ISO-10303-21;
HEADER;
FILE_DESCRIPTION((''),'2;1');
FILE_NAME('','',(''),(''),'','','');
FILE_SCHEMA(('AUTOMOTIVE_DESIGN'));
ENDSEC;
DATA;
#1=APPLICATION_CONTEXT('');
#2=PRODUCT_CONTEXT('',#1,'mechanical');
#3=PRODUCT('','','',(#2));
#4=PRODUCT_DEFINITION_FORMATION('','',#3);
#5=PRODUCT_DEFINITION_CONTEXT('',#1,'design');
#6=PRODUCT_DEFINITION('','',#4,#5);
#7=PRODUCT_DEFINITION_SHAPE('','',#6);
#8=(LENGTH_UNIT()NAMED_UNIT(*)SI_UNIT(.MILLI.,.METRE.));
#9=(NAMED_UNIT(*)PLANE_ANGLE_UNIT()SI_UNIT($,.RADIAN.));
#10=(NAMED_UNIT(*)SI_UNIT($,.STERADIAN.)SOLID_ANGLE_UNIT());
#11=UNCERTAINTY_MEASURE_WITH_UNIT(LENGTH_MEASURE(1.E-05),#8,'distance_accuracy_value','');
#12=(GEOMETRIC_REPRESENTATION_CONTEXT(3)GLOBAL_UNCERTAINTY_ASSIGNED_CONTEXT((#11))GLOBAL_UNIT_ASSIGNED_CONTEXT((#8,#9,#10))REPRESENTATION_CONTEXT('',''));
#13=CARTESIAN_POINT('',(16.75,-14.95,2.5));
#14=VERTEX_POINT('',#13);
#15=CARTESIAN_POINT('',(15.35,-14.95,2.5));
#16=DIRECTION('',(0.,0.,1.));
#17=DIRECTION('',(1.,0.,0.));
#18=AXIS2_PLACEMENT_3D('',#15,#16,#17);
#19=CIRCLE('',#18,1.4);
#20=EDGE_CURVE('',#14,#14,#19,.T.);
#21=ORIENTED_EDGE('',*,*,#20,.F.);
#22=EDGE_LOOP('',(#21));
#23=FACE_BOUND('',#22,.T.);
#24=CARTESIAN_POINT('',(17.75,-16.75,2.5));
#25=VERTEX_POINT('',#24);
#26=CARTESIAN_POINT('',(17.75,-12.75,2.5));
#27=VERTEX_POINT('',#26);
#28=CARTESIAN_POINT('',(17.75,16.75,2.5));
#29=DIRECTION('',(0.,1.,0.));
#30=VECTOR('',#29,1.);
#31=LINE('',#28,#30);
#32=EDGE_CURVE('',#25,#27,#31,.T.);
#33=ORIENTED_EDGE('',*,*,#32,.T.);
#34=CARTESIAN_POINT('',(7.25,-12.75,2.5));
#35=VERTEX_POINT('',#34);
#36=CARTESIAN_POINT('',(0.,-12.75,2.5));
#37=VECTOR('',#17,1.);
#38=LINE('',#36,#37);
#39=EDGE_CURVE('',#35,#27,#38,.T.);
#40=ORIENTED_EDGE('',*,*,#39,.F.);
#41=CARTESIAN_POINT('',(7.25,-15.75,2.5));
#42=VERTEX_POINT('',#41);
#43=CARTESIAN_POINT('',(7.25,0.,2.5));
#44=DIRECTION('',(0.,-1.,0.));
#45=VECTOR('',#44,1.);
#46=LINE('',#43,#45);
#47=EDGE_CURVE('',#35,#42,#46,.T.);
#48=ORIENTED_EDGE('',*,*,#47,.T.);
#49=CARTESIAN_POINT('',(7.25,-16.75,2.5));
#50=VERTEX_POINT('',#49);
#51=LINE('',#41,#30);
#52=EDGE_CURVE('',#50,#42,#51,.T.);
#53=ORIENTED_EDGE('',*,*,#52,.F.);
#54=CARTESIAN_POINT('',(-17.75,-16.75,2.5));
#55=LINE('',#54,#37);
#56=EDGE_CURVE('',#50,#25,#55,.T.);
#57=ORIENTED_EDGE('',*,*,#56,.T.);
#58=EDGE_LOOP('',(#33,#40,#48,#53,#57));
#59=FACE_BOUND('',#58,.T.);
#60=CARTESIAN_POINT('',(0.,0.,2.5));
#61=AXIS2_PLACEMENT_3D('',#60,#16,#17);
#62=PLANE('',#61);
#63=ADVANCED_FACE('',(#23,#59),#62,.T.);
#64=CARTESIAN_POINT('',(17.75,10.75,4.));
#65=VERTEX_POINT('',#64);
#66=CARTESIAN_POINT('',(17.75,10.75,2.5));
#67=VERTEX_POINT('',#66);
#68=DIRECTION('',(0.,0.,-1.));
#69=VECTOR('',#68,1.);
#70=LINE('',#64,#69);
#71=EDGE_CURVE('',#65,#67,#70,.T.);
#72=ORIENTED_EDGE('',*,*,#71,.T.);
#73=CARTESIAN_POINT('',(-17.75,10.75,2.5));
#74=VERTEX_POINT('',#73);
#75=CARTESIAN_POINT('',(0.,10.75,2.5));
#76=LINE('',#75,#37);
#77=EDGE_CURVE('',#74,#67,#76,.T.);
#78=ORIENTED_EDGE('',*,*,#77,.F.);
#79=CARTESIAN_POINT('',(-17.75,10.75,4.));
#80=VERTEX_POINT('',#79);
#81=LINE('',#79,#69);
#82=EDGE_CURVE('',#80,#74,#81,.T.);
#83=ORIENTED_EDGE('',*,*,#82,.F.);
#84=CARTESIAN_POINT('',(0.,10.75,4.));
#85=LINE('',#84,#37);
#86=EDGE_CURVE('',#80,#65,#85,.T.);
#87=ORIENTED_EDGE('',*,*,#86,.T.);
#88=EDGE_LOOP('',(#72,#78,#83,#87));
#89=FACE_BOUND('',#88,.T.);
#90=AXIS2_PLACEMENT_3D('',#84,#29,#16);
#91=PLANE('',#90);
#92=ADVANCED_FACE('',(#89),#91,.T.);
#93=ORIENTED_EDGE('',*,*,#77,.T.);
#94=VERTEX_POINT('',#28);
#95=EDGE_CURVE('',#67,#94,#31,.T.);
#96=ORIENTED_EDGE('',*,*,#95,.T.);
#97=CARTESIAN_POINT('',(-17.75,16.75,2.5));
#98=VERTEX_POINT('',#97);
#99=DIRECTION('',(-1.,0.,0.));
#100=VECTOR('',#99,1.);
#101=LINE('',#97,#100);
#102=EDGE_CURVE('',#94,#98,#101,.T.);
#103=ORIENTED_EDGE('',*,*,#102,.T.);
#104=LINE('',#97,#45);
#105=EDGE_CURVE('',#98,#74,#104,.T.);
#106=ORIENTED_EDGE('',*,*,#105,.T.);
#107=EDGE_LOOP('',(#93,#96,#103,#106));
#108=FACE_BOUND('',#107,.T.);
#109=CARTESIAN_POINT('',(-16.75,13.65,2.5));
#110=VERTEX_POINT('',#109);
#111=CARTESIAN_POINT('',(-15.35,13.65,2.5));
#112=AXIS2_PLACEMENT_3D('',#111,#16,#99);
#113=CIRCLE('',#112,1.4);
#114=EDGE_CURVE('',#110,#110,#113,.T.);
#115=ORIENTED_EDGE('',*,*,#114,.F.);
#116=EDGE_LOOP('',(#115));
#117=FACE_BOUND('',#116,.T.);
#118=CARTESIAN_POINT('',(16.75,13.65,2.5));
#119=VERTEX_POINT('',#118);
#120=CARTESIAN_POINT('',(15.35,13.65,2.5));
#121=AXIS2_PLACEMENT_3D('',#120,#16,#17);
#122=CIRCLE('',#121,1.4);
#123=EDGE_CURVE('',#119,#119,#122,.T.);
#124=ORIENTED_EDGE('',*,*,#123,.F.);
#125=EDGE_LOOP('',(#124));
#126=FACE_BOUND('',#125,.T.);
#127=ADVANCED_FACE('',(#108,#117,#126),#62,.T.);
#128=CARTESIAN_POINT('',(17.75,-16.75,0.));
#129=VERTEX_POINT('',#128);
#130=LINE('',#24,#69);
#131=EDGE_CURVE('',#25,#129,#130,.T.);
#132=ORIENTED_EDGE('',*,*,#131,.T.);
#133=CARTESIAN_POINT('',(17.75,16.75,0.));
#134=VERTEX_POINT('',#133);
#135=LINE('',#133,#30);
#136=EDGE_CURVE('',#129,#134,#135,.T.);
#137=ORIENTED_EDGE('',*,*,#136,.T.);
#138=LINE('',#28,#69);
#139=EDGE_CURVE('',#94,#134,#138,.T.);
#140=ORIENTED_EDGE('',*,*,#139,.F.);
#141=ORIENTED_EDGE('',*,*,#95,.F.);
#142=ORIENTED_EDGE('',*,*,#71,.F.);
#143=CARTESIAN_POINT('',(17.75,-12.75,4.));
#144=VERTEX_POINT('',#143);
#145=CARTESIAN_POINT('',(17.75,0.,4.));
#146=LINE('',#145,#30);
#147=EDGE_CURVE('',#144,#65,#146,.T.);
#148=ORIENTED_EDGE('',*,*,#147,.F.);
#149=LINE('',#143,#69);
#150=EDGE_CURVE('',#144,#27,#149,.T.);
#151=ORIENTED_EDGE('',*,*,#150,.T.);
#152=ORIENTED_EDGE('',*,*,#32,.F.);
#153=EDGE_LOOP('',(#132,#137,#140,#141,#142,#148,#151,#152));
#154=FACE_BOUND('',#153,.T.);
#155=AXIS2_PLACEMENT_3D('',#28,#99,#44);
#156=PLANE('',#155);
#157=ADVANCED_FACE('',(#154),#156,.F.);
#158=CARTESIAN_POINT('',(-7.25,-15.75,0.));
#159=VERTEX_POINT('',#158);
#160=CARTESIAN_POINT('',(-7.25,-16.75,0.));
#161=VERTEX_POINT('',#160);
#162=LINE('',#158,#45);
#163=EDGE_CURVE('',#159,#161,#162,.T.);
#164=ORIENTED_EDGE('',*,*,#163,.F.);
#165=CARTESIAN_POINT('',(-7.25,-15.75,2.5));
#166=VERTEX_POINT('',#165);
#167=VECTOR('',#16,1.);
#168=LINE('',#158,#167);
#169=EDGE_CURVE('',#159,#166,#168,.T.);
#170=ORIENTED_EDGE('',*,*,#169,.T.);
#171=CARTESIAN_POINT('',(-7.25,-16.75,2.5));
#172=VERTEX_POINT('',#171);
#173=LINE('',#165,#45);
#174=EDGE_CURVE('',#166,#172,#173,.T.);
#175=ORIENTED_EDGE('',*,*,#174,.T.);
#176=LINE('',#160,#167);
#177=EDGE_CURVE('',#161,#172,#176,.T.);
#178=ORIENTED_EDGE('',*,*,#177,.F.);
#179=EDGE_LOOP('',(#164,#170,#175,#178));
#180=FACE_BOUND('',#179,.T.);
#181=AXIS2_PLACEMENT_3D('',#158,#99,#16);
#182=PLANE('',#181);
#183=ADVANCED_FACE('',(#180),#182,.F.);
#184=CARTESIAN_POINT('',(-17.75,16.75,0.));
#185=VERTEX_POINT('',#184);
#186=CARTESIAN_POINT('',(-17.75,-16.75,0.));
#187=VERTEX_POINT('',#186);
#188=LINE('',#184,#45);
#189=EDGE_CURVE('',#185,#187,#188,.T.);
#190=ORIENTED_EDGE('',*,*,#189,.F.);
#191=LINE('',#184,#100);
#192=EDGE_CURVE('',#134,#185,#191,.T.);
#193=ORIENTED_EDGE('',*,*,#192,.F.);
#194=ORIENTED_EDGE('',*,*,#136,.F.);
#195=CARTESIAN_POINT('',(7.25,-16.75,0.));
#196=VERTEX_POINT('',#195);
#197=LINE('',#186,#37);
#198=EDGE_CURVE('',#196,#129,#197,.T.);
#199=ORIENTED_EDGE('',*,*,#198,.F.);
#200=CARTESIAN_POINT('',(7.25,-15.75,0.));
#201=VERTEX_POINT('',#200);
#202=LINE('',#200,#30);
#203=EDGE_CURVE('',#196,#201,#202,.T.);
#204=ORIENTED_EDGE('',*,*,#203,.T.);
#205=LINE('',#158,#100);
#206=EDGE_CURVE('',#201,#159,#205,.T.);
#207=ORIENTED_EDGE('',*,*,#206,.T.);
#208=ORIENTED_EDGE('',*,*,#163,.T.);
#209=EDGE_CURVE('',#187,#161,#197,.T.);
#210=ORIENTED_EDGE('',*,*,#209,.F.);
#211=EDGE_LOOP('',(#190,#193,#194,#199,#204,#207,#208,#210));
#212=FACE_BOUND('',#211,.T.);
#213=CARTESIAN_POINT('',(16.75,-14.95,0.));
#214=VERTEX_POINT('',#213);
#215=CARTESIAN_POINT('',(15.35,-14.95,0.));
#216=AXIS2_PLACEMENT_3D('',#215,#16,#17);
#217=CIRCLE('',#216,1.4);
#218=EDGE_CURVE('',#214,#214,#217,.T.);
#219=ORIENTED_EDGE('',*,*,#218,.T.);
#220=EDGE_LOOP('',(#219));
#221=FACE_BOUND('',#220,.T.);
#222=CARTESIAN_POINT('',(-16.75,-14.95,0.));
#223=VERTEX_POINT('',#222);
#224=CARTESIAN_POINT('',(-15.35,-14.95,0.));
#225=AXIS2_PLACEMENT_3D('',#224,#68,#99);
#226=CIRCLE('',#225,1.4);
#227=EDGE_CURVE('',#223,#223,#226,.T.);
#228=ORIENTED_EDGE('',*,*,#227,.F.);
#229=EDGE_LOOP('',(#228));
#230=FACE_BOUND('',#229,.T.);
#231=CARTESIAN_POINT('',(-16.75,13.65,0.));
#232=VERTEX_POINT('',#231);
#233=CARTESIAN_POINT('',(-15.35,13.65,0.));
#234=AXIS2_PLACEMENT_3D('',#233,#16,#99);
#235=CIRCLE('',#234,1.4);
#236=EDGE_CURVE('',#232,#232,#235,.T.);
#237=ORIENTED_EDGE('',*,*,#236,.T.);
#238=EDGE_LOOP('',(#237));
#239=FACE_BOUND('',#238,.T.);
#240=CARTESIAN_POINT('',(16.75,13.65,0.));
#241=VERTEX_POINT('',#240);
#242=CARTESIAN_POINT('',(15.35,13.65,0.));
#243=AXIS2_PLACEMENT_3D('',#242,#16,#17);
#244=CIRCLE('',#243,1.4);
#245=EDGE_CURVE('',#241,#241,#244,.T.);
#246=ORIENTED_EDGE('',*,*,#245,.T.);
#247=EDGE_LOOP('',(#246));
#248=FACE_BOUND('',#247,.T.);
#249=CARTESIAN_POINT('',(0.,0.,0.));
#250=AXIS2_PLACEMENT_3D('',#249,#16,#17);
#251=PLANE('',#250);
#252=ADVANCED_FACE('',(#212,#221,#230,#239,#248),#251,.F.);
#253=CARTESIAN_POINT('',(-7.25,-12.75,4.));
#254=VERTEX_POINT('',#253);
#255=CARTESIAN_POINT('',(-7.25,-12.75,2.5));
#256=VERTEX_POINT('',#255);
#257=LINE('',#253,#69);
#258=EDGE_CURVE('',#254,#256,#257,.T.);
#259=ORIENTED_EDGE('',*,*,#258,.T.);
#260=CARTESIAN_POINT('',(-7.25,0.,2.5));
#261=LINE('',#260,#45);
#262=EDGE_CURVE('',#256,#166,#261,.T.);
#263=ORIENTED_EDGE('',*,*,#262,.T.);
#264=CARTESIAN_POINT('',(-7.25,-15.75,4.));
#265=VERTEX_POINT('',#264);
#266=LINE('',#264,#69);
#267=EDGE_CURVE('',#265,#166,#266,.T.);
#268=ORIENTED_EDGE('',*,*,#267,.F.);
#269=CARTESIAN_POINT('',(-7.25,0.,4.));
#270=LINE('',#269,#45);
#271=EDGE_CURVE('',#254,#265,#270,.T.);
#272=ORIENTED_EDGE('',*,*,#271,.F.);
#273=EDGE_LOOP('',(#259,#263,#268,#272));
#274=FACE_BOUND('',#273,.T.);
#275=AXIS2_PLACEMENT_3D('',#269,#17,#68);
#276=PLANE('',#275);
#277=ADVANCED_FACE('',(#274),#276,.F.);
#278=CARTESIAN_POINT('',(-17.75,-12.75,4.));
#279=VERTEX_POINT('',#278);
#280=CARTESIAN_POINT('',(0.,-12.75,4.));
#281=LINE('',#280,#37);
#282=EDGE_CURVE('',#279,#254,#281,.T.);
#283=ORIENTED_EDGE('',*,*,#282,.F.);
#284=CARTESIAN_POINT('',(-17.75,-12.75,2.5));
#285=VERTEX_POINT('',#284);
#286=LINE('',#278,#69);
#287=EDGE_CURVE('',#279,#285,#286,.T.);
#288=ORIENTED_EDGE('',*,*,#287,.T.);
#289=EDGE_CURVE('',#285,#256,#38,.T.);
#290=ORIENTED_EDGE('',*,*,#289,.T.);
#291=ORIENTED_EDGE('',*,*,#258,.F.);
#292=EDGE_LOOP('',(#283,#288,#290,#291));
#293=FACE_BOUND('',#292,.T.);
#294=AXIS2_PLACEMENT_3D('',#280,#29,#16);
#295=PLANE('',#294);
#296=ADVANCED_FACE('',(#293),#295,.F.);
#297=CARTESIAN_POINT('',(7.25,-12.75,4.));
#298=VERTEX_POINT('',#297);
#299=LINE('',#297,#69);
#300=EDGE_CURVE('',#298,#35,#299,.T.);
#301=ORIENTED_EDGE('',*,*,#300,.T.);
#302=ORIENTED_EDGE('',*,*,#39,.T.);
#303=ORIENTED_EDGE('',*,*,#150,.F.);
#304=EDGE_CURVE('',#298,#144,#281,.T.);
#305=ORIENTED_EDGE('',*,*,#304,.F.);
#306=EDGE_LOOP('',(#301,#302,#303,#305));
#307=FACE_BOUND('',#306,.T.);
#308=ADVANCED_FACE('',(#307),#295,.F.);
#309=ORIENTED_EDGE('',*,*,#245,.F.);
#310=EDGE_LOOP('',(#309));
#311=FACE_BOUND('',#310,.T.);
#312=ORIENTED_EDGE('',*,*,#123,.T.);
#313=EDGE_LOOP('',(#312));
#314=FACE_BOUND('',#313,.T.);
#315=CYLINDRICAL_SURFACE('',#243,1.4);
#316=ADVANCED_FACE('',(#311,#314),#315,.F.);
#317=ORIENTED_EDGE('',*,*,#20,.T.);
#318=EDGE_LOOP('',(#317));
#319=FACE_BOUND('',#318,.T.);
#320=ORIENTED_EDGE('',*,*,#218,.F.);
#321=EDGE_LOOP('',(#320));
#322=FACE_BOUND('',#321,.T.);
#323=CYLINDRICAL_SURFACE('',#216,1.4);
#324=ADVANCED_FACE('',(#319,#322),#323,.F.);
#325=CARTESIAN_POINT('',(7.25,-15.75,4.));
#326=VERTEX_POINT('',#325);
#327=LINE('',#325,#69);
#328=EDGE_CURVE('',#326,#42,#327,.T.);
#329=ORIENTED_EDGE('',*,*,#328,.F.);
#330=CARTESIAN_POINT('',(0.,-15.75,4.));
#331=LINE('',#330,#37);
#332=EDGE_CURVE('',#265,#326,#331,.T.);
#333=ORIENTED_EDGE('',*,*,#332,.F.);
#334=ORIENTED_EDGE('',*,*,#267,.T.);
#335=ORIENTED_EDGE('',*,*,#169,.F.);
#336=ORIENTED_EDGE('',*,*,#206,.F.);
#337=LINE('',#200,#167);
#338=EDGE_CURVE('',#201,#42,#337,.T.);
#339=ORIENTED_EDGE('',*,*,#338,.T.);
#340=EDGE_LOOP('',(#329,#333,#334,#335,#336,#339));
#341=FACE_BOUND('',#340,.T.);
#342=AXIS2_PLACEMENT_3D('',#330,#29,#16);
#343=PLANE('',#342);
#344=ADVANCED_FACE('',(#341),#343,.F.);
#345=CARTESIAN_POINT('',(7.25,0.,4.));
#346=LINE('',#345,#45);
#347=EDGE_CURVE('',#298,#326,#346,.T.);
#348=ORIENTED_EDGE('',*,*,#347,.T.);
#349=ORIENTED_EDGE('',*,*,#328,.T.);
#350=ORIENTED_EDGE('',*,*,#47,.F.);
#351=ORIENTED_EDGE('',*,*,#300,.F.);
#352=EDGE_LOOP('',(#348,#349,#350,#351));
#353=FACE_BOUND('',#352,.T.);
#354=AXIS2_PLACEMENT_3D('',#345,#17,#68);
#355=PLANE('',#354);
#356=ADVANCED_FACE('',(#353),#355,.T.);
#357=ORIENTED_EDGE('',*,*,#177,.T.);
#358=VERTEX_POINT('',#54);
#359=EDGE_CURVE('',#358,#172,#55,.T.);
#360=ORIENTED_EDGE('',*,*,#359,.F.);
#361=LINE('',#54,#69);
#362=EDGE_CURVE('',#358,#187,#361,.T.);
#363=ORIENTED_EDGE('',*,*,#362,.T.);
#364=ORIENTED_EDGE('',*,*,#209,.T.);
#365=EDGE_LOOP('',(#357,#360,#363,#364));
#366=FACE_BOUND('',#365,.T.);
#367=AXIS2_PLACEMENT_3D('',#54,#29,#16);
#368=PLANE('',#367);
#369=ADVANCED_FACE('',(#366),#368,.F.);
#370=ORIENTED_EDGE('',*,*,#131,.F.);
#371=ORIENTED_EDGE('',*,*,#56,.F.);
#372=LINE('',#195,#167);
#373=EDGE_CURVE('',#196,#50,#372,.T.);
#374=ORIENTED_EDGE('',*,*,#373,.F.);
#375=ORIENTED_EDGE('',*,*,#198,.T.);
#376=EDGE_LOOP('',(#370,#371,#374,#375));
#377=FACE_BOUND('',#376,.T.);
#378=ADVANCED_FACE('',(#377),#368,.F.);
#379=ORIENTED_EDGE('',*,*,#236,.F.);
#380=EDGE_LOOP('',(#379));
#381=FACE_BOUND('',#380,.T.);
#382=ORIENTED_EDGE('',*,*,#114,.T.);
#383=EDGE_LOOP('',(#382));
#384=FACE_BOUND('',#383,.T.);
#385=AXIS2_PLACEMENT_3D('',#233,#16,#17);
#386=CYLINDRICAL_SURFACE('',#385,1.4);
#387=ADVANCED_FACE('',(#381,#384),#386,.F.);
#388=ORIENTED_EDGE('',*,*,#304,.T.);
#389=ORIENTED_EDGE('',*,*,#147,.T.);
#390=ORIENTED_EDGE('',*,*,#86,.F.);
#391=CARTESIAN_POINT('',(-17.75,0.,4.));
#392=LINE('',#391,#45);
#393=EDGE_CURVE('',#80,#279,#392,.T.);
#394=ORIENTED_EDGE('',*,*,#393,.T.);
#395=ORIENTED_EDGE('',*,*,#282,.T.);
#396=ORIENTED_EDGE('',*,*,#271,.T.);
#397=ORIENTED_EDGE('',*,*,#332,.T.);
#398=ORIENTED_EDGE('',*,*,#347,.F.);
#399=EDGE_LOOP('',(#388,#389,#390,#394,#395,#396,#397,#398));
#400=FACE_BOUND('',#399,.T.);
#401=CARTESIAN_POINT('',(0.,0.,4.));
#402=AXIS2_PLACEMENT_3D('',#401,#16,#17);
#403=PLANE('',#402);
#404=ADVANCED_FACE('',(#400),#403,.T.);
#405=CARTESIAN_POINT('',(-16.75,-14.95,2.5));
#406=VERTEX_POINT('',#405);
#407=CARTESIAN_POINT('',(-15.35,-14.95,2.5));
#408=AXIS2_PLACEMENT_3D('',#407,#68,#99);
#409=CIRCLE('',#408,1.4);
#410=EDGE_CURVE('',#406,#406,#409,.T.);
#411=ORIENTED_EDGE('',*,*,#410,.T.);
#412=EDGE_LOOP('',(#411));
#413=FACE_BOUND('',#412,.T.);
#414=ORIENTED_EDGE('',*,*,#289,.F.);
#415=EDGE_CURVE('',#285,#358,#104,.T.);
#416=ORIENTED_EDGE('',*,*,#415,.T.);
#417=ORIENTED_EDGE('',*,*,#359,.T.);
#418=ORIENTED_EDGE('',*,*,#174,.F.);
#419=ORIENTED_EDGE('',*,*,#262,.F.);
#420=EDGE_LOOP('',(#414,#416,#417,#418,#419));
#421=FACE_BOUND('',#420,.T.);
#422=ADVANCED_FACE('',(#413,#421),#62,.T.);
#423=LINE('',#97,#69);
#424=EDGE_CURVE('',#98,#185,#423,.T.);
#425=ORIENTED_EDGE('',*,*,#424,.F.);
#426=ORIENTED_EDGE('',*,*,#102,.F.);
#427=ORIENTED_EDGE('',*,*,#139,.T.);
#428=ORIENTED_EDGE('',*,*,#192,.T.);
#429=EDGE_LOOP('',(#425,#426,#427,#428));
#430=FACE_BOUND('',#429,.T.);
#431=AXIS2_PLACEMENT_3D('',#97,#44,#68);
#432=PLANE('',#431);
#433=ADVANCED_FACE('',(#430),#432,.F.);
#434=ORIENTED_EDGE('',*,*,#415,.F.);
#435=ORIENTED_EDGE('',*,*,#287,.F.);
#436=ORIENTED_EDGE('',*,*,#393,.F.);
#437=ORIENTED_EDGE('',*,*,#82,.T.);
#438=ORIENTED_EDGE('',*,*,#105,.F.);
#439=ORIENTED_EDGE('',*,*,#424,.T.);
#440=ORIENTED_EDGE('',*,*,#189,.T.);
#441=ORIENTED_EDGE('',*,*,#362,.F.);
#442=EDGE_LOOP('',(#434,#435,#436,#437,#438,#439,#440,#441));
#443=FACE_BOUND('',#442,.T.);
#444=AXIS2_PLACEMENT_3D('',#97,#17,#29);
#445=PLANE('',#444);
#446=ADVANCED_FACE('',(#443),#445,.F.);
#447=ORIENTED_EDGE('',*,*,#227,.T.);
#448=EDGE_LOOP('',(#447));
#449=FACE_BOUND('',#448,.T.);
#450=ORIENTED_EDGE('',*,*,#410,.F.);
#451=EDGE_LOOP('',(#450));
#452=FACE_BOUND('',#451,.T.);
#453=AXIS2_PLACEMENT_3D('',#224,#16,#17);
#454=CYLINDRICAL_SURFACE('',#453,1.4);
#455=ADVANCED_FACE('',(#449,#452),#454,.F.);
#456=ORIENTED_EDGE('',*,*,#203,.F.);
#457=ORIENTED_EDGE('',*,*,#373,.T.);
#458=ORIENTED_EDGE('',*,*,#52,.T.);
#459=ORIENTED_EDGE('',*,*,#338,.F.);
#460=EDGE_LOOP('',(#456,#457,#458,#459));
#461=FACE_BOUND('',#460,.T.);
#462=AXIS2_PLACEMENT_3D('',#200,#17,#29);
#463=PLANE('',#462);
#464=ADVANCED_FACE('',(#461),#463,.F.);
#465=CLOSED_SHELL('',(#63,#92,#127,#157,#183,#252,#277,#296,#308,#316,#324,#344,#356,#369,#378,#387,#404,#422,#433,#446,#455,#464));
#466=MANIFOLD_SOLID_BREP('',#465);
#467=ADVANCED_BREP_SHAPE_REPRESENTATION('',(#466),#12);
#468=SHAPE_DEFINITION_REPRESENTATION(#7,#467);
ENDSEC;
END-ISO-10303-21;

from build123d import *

# Parameters (mm, degrees)
SKETCH_1_W             = 35.5
SKETCH_1_H             = 33.5
EXTRUDE_227_DEPTH      = 2.5
SKETCH_3_W             = 14.5
SKETCH_3_H             = 3
EXTRUDE_815_DEPTH      = 1.5
SKETCH_4_W             = 14.5
SKETCH_4_H             = 1
CUT_EXTRUDE_1043_DEPTH = 25.533140851
SKETCH_5_R             = 1.4
CUT_EXTRUDE_2_DEPTH    = 25.533140851
SKETCH_6_R             = 1.4
CUT_EXTRUDE_3_DEPTH    = 25.533140851


with BuildPart() as part:
    # 草图1 → Extrude 227 (new body)
    with BuildSketch(Plane.XY):
        Rectangle(SKETCH_1_W, SKETCH_1_H)
    extrude(amount=EXTRUDE_227_DEPTH)

    # 草图3 → Extrude 815 (add)
    with BuildSketch(Plane.XY.offset(2.5)):
        Polygon((-17.75, 10.75), (-17.75, -12.75), (-7.25, -12.75), (7.25, -12.75), (17.75, -12.75), (17.75, 10.75), align=None)
        with Locations((0, -14.25)):
            Rectangle(SKETCH_3_W, SKETCH_3_H)
    extrude(amount=EXTRUDE_815_DEPTH)

    # 草图4 → Cut-Extrude 1043 (cut, through all)
    with BuildSketch(Plane.XY.offset(2.5)):
        with Locations((0, -16.25)):
            Rectangle(SKETCH_4_W, SKETCH_4_H)
    extrude(amount=-CUT_EXTRUDE_1043_DEPTH, mode=Mode.SUBTRACT)

    # 草图5 → 切除-拉伸2 (cut, through all)
    with BuildSketch(Plane.XY.offset(2.5)):
        with Locations((15.35, 13.65)):
            Circle(SKETCH_5_R)
        with Locations(Location((-15.35, 13.65, 0), (0, 0, 180))):
            Circle(SKETCH_5_R)
    extrude(amount=-CUT_EXTRUDE_2_DEPTH, mode=Mode.SUBTRACT)

    # 草图6 → 切除-拉伸3 (cut, through all)
    with BuildSketch(Plane.XY.offset(2.5)):
        with Locations((15.35, -14.95)):
            Circle(SKETCH_6_R)
    cut_extrude_3 = extrude(amount=-CUT_EXTRUDE_3_DEPTH, mode=Mode.SUBTRACT)

    # 镜向1: 切除-拉伸3 across plane
    add(cut_extrude_3.mirror(Plane(origin=(0, 0, 0), x_dir=(0, 0, 1), z_dir=(1, 0, 0))), mode=Mode.SUBTRACT)


solid = part.part
